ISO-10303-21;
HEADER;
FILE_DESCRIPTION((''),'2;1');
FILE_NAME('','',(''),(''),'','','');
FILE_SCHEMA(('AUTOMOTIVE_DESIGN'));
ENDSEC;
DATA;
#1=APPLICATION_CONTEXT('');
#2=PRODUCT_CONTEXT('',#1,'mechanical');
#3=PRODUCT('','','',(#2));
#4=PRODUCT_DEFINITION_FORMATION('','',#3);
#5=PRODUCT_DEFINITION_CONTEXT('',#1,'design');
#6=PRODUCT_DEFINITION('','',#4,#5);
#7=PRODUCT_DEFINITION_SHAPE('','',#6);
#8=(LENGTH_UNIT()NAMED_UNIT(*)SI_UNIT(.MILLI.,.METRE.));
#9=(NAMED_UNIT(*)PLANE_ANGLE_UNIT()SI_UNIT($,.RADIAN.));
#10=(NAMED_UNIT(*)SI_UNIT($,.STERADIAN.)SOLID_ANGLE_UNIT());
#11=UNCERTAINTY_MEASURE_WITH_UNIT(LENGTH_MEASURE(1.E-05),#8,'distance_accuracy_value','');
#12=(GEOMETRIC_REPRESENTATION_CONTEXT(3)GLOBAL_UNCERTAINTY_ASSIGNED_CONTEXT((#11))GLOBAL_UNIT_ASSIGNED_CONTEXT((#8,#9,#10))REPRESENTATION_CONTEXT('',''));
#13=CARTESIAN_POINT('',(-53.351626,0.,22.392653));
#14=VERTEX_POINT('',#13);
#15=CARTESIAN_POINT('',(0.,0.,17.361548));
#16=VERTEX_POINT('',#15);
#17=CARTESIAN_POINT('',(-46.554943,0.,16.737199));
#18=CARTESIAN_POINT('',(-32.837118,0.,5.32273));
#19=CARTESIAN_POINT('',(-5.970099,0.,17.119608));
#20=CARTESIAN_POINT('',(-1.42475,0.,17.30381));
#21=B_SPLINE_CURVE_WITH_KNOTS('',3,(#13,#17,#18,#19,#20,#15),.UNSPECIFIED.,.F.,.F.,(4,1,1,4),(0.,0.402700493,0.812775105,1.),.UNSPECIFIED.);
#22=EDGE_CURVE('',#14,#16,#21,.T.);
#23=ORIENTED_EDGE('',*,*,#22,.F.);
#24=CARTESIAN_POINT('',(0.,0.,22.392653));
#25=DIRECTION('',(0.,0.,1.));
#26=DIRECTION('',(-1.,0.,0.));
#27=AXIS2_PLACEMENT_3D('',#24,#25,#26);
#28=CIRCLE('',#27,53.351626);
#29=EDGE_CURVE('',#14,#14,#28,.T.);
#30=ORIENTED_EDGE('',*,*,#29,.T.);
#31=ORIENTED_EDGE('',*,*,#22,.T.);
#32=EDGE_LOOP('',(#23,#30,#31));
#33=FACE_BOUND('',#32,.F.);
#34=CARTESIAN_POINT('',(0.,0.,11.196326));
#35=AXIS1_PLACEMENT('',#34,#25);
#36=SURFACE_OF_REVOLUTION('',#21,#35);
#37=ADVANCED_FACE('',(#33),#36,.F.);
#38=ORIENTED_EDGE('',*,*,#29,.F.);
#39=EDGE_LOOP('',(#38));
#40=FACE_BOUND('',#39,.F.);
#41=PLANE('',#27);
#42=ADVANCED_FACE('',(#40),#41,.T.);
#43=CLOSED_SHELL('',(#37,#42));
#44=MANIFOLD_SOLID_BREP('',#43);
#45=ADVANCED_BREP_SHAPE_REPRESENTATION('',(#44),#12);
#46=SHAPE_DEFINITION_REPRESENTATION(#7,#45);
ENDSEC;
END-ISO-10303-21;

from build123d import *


with BuildPart() as f1:
    # F0 (on Front) → F1 (revolve)
    with BuildSketch(Plane.XZ):
        with BuildLine():
            Line((0, 22.3926529288), (-53.3516258001, 22.3926529288))
            add(Edge.make_bspline(
                [(-53.3516258001, 22.3926529288), (-46.5549425908, 16.7371989488), (-32.8371175558, 5.3227301847), (-5.9700991426, 17.1196084008), (-1.4247500546, 17.3038095324), (0, 17.3615477979)],
                knots=[0, 0, 0, 0, 0.4027004935, 0.8127751053, 1, 1, 1, 1], degree=3))
            Line((0, 17.3615477979), (0, 22.3926529288))
        make_face()
    revolve(axis=Axis((0, 0, 11.1963264644), (0, 0, 1)))


solid = f1.part
